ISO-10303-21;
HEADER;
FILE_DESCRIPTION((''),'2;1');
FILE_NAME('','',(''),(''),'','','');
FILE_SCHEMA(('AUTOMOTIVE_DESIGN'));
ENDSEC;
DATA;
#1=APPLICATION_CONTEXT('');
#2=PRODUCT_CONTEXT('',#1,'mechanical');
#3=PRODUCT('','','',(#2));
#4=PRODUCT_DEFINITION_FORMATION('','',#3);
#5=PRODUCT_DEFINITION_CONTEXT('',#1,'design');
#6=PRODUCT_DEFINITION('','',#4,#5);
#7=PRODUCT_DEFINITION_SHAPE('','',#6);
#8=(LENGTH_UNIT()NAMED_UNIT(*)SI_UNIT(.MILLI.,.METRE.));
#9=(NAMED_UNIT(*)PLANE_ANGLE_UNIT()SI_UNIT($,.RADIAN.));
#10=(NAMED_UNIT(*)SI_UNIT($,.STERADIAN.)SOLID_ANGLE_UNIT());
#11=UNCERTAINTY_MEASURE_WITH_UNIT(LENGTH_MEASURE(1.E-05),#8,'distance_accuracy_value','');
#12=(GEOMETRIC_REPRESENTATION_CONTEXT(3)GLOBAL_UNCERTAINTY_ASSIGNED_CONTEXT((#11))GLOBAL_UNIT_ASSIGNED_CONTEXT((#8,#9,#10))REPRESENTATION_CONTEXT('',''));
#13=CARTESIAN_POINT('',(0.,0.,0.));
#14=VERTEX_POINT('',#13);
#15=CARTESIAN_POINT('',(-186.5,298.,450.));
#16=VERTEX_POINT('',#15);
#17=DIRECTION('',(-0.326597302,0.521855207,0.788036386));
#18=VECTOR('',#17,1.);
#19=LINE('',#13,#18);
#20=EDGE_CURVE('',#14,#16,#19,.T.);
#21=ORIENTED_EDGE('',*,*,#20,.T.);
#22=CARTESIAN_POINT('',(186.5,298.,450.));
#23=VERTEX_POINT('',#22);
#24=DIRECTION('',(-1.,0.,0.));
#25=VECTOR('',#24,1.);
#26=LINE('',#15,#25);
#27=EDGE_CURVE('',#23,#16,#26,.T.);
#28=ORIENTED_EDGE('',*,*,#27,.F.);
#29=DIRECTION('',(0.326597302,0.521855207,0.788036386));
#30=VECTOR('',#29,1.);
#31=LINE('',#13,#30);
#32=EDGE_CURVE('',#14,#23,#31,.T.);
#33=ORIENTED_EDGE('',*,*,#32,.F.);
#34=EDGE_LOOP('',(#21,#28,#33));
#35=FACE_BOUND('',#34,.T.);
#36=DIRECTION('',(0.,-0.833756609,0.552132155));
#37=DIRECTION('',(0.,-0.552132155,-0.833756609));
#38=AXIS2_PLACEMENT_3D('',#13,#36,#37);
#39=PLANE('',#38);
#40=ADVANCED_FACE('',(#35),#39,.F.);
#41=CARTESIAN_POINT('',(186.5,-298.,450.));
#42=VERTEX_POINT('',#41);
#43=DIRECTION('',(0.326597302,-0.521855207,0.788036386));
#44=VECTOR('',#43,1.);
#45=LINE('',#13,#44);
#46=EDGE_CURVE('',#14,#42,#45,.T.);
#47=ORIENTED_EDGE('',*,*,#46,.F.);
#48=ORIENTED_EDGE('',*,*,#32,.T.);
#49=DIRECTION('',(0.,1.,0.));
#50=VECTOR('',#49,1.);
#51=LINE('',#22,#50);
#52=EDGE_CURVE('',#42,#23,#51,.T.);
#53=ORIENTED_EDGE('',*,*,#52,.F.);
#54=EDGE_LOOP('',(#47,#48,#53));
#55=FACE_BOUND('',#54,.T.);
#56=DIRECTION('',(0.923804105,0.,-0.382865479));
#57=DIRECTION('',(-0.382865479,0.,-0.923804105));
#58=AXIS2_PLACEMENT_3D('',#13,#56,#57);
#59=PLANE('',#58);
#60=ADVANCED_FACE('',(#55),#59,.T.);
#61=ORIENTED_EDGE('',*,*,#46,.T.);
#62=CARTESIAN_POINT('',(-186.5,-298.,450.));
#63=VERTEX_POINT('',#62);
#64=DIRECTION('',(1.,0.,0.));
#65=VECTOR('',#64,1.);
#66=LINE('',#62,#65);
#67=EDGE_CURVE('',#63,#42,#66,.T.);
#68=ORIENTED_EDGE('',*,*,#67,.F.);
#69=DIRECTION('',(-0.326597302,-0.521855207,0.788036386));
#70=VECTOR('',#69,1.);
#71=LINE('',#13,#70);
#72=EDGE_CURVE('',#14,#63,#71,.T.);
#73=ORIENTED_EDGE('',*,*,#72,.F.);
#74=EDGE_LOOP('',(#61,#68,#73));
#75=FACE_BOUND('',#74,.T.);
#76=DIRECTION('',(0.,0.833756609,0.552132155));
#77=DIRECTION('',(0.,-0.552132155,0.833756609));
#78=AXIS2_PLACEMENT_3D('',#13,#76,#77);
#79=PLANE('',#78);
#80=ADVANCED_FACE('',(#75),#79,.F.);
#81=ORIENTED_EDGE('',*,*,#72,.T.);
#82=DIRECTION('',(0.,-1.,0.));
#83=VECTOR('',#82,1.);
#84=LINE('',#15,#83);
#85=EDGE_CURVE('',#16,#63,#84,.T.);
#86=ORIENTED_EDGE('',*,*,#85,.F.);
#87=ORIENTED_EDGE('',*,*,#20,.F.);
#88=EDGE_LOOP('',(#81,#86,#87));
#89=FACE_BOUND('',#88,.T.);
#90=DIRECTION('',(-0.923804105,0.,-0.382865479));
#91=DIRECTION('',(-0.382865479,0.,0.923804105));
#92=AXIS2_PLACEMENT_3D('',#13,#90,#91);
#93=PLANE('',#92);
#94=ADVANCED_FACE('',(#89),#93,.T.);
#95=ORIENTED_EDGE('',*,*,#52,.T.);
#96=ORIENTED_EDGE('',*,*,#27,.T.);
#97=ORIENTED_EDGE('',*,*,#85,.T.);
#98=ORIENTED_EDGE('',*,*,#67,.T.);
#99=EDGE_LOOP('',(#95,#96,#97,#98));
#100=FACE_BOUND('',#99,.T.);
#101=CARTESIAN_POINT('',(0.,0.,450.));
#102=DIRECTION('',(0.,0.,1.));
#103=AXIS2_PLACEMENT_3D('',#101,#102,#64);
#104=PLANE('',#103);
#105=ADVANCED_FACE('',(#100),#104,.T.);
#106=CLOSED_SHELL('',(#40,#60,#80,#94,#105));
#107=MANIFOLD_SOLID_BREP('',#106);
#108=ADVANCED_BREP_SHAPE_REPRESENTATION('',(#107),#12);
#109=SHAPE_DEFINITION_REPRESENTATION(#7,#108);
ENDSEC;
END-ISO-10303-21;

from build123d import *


with BuildPart() as part:
    # Esquisse2 → Lissage1 section 0
    with BuildSketch(Plane.XY.offset(450), mode=Mode.PRIVATE) as lissage1_s0:
        with BuildLine():
            Line((-186.5, 298), (186.5, 298))
            Line((186.5, 298), (186.5, -298))
            Line((186.5, -298), (-186.5, -298))
            Line((-186.5, -298), (-186.5, 298))
        make_face()
    loft([Vertex(0, 0, 0), lissage1_s0.sketch])


solid = part.part
